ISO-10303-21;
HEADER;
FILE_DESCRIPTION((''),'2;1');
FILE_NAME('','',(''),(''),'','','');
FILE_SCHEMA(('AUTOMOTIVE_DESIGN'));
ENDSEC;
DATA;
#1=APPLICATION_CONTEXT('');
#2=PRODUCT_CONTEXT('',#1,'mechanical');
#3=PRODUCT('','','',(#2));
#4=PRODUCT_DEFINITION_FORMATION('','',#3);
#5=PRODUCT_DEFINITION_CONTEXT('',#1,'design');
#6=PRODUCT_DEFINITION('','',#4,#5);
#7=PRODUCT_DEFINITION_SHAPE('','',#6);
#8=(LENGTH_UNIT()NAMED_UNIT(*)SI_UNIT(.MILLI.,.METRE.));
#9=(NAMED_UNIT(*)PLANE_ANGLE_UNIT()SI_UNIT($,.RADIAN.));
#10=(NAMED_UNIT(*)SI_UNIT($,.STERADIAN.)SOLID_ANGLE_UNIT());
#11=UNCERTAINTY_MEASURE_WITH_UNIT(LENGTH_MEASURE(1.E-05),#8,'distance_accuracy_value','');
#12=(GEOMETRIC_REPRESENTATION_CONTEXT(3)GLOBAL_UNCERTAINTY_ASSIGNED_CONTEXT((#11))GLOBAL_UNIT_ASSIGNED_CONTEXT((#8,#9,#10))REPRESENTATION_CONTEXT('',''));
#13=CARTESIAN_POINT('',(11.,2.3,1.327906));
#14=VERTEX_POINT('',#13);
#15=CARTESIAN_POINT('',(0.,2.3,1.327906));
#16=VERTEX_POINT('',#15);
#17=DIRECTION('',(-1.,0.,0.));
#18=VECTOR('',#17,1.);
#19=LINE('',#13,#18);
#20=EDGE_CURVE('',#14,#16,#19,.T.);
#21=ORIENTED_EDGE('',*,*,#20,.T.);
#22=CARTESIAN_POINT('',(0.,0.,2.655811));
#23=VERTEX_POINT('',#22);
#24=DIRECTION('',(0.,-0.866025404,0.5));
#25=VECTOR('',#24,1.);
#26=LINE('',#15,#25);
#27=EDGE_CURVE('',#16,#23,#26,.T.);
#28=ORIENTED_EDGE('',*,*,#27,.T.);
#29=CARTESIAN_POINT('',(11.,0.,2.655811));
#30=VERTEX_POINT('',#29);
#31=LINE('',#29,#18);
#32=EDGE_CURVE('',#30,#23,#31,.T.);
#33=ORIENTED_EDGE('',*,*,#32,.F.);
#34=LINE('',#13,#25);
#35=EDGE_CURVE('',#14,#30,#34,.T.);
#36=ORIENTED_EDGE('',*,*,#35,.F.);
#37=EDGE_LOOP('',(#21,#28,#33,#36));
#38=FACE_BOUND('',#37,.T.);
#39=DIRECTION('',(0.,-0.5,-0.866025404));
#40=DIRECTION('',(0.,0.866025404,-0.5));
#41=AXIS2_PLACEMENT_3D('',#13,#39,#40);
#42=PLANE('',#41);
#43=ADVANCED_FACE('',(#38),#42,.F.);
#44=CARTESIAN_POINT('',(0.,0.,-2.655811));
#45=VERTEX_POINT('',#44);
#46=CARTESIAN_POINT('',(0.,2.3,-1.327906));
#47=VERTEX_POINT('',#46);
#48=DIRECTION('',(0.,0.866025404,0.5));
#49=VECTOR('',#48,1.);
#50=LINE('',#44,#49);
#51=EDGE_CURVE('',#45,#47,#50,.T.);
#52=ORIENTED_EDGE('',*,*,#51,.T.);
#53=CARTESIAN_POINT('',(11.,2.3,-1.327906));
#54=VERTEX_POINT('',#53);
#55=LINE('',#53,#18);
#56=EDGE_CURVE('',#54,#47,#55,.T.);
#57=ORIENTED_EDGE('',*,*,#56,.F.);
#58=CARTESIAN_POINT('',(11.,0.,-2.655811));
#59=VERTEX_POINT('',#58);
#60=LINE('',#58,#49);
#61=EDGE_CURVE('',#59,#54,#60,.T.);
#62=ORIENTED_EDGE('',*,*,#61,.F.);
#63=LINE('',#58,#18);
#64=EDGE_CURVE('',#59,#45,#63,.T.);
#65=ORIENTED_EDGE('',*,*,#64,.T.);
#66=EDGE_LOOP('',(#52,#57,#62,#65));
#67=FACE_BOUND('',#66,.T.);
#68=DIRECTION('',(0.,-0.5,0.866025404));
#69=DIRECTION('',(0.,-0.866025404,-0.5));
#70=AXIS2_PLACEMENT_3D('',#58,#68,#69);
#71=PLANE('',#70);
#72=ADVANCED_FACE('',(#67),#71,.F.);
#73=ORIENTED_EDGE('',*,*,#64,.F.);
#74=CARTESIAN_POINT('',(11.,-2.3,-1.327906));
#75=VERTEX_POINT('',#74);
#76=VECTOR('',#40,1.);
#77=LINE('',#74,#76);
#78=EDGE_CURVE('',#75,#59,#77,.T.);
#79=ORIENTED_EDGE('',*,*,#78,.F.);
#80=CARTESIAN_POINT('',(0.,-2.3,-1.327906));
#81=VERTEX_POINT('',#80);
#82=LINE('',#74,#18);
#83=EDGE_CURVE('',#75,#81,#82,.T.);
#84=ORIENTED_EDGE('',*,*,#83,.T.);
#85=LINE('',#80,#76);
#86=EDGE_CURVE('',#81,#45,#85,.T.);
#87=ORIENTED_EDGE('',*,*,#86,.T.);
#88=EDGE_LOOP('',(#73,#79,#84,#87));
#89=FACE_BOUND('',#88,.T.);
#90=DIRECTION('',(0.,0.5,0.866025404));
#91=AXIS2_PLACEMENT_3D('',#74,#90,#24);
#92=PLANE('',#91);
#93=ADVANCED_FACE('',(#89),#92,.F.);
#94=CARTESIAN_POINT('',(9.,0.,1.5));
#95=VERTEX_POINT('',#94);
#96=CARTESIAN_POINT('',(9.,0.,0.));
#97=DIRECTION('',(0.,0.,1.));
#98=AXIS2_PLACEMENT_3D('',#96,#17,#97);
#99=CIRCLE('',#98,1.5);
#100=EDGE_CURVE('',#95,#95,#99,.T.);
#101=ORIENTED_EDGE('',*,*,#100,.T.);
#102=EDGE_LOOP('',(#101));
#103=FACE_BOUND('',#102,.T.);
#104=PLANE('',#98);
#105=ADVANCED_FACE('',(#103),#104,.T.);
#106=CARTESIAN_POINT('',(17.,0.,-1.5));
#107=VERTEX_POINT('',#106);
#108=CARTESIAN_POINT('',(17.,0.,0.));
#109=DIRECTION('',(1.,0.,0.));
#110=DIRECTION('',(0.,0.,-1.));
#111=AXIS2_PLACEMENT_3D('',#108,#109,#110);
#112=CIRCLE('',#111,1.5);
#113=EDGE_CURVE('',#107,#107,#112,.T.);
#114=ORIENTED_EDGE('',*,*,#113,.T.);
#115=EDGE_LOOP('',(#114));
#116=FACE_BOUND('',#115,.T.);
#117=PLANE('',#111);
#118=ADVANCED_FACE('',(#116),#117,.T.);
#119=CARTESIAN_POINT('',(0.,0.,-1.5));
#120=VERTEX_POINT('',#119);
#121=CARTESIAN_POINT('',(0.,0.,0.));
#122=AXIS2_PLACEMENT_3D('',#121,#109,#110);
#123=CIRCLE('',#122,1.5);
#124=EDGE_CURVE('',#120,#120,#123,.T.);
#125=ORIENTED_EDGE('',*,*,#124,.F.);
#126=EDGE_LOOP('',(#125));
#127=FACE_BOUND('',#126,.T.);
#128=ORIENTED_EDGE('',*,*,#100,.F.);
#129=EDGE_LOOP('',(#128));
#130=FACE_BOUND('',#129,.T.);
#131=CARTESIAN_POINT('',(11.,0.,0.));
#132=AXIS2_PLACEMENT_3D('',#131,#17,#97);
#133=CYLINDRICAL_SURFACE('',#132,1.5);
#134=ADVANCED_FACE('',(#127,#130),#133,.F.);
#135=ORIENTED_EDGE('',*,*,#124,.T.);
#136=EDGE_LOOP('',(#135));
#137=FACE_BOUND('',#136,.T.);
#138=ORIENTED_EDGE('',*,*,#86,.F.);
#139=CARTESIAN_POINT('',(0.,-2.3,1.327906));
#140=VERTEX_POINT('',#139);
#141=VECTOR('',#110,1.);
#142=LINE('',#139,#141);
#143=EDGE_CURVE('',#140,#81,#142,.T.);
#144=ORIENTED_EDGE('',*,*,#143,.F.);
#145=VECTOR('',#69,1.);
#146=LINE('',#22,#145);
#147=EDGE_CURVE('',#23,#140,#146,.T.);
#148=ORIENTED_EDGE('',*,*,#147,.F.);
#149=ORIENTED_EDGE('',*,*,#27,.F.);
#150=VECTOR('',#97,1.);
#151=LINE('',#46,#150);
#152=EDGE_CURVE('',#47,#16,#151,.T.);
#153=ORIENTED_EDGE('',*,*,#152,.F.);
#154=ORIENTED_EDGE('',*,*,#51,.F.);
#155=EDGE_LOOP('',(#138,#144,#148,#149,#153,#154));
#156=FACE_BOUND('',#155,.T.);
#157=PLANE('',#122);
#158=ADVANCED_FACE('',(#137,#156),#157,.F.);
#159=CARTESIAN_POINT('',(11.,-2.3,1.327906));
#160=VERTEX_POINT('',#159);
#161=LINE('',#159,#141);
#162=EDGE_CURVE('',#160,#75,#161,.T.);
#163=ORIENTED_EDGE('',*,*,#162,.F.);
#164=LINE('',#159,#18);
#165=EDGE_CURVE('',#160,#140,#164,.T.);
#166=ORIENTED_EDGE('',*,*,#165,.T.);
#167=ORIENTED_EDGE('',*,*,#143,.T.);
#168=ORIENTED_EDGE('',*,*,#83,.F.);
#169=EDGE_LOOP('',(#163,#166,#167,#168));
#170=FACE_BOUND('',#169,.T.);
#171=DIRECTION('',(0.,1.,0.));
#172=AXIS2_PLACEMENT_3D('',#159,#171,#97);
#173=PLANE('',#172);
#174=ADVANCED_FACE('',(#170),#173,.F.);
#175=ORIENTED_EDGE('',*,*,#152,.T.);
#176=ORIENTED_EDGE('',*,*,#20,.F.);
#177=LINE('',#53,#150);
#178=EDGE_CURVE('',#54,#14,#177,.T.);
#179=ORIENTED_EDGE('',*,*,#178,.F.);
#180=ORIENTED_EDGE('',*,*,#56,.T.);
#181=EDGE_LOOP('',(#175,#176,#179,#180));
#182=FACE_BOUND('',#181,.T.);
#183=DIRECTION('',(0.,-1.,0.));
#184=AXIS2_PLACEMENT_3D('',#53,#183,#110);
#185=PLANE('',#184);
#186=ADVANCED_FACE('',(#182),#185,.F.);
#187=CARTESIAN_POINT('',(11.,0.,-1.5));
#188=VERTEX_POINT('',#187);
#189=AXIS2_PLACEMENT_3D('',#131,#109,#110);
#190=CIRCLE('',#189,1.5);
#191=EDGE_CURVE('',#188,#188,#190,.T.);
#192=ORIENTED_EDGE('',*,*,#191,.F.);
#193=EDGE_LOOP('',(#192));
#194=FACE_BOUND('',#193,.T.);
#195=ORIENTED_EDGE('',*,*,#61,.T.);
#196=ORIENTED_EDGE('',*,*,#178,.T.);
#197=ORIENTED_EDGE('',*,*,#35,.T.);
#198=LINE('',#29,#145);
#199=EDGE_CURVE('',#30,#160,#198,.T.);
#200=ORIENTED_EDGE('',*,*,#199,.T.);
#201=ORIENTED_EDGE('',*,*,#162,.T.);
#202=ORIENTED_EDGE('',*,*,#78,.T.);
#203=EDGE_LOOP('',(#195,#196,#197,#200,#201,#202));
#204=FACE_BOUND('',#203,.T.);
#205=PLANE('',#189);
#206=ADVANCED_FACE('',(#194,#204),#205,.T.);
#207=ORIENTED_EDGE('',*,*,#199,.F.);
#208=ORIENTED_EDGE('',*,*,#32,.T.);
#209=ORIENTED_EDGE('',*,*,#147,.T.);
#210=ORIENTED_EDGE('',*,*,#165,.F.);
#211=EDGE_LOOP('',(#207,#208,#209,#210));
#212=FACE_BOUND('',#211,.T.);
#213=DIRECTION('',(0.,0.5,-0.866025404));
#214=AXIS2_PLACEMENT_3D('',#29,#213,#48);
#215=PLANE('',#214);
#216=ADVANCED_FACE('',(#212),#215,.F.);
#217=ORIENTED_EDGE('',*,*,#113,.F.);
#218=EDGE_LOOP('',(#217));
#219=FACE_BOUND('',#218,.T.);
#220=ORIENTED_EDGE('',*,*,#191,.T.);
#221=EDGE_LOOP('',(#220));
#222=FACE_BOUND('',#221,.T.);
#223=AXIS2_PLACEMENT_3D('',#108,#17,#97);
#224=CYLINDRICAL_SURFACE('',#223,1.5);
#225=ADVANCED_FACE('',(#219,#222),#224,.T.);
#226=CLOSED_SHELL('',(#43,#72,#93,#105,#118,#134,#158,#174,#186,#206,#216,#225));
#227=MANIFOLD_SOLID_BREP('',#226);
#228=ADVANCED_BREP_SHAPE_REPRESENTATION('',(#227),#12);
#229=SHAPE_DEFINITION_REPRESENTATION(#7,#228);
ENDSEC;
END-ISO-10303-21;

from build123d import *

# Parameters (mm, degrees)
SKETCH1_R           = 1.5
BOSS_EXTRUDE1_DEPTH = 11
SKETCH2_R           = 1.5
BOSS_EXTRUDE2_DEPTH = 6
BOSS_EXTRUDE3_DEPTH = 2


with BuildPart() as part:
    # Sketch1 → Boss-Extrude1 (new body)
    with BuildSketch(Plane(origin=(0, 0, 0), x_dir=(0, 0, -1), z_dir=(1, 0, 0))):
        Polygon((1.327905619, 2.3), (-1.327905619, 2.3), (-2.655811238, 0), (-1.327905619, -2.3), (1.327905619, -2.3), (2.655811238, 0), align=None)
        Circle(SKETCH1_R, mode=Mode.SUBTRACT)
    extrude(amount=BOSS_EXTRUDE1_DEPTH)



with BuildPart() as body_2:
    # Sketch2 → Boss-Extrude2 (new body)
    with BuildSketch(Plane(origin=(11, 0, 0), x_dir=(0, 0, -1), z_dir=(1, 0, 0))):
        Circle(SKETCH2_R)
    extrude(amount=BOSS_EXTRUDE2_DEPTH)


with BuildPart() as part_1:
    add(part.part)

    add(body_2.part)  # Boss-Extrude3 merges body 2
    # Sketch3 → Boss-Extrude3 (add)
    with BuildSketch(Plane.ZY.offset(-11)):
        Polygon((-1.327905619, 2.3), (-2.655811238, 0), (-1.327905619, -2.3), (1.327905619, -2.3), (2.655811238, 0), (1.327905619, 2.3), align=None)
    extrude(amount=BOSS_EXTRUDE3_DEPTH)


solid = part_1.part
